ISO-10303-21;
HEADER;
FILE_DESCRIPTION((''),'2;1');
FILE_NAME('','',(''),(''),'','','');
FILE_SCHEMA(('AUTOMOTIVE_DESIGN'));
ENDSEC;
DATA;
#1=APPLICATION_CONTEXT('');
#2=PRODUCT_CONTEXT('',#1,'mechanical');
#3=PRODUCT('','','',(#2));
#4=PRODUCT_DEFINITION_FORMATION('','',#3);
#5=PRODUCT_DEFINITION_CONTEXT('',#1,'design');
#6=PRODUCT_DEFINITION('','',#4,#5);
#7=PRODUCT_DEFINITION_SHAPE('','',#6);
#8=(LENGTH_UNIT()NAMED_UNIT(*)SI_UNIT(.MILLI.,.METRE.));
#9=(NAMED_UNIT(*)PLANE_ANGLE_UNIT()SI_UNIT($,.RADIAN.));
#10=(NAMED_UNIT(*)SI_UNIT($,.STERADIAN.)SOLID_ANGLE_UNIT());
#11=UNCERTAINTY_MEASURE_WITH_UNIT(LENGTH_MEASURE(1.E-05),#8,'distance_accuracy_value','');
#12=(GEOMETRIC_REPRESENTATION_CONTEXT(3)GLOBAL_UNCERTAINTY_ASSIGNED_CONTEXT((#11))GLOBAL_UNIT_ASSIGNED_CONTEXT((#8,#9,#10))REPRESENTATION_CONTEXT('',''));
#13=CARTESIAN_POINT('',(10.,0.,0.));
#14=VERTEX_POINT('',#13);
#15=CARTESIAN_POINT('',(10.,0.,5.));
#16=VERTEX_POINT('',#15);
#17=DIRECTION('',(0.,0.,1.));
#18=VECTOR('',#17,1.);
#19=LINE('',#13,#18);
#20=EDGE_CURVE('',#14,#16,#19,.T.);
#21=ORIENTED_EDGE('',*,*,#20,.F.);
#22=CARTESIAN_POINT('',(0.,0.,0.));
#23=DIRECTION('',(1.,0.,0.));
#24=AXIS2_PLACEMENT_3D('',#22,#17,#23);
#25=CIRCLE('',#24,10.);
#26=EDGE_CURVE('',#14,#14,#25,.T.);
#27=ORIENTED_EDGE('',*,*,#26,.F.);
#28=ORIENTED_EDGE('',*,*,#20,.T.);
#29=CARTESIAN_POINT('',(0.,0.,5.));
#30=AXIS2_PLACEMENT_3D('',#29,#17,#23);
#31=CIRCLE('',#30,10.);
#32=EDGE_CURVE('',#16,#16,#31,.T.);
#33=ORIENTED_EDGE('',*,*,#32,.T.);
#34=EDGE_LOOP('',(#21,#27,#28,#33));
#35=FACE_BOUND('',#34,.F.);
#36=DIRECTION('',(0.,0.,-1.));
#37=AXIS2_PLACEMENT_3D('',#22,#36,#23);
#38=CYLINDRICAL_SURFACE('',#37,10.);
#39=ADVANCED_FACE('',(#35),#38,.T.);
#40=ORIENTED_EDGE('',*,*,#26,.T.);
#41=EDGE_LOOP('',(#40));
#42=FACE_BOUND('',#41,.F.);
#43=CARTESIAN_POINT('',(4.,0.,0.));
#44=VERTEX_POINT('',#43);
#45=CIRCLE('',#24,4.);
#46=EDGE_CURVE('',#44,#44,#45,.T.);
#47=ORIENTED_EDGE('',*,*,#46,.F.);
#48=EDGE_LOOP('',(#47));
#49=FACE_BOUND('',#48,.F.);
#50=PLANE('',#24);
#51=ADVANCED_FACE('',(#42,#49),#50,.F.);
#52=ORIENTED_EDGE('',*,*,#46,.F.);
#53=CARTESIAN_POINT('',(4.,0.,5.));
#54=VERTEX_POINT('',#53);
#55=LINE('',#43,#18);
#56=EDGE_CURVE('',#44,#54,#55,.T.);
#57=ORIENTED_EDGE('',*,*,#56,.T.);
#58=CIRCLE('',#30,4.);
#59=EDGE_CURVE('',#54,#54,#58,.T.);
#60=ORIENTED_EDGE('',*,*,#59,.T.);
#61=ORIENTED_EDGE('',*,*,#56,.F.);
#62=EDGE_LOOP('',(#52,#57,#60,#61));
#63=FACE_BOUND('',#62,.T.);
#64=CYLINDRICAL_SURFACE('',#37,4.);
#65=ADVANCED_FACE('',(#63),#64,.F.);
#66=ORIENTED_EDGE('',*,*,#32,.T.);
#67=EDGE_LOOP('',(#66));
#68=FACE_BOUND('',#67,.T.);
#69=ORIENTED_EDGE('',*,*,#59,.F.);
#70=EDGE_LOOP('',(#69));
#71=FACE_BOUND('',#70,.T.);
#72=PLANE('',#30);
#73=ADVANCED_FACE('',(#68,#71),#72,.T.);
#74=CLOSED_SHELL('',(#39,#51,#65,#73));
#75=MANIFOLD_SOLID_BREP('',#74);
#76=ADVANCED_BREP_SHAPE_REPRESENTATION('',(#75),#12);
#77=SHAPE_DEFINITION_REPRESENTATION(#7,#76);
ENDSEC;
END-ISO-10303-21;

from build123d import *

# Parameters (mm, degrees)
SKETCH_1_R      = 10
SKETCH_1_R_2    = 4
EXTRUDE_1_DEPTH = 5


with BuildPart() as part:
    # 草图1 → 凸台-拉伸1 (new body)
    with BuildSketch(Plane.XY):
        Circle(SKETCH_1_R)
        Circle(SKETCH_1_R_2, mode=Mode.SUBTRACT)
    extrude(amount=EXTRUDE_1_DEPTH)


solid = part.part
